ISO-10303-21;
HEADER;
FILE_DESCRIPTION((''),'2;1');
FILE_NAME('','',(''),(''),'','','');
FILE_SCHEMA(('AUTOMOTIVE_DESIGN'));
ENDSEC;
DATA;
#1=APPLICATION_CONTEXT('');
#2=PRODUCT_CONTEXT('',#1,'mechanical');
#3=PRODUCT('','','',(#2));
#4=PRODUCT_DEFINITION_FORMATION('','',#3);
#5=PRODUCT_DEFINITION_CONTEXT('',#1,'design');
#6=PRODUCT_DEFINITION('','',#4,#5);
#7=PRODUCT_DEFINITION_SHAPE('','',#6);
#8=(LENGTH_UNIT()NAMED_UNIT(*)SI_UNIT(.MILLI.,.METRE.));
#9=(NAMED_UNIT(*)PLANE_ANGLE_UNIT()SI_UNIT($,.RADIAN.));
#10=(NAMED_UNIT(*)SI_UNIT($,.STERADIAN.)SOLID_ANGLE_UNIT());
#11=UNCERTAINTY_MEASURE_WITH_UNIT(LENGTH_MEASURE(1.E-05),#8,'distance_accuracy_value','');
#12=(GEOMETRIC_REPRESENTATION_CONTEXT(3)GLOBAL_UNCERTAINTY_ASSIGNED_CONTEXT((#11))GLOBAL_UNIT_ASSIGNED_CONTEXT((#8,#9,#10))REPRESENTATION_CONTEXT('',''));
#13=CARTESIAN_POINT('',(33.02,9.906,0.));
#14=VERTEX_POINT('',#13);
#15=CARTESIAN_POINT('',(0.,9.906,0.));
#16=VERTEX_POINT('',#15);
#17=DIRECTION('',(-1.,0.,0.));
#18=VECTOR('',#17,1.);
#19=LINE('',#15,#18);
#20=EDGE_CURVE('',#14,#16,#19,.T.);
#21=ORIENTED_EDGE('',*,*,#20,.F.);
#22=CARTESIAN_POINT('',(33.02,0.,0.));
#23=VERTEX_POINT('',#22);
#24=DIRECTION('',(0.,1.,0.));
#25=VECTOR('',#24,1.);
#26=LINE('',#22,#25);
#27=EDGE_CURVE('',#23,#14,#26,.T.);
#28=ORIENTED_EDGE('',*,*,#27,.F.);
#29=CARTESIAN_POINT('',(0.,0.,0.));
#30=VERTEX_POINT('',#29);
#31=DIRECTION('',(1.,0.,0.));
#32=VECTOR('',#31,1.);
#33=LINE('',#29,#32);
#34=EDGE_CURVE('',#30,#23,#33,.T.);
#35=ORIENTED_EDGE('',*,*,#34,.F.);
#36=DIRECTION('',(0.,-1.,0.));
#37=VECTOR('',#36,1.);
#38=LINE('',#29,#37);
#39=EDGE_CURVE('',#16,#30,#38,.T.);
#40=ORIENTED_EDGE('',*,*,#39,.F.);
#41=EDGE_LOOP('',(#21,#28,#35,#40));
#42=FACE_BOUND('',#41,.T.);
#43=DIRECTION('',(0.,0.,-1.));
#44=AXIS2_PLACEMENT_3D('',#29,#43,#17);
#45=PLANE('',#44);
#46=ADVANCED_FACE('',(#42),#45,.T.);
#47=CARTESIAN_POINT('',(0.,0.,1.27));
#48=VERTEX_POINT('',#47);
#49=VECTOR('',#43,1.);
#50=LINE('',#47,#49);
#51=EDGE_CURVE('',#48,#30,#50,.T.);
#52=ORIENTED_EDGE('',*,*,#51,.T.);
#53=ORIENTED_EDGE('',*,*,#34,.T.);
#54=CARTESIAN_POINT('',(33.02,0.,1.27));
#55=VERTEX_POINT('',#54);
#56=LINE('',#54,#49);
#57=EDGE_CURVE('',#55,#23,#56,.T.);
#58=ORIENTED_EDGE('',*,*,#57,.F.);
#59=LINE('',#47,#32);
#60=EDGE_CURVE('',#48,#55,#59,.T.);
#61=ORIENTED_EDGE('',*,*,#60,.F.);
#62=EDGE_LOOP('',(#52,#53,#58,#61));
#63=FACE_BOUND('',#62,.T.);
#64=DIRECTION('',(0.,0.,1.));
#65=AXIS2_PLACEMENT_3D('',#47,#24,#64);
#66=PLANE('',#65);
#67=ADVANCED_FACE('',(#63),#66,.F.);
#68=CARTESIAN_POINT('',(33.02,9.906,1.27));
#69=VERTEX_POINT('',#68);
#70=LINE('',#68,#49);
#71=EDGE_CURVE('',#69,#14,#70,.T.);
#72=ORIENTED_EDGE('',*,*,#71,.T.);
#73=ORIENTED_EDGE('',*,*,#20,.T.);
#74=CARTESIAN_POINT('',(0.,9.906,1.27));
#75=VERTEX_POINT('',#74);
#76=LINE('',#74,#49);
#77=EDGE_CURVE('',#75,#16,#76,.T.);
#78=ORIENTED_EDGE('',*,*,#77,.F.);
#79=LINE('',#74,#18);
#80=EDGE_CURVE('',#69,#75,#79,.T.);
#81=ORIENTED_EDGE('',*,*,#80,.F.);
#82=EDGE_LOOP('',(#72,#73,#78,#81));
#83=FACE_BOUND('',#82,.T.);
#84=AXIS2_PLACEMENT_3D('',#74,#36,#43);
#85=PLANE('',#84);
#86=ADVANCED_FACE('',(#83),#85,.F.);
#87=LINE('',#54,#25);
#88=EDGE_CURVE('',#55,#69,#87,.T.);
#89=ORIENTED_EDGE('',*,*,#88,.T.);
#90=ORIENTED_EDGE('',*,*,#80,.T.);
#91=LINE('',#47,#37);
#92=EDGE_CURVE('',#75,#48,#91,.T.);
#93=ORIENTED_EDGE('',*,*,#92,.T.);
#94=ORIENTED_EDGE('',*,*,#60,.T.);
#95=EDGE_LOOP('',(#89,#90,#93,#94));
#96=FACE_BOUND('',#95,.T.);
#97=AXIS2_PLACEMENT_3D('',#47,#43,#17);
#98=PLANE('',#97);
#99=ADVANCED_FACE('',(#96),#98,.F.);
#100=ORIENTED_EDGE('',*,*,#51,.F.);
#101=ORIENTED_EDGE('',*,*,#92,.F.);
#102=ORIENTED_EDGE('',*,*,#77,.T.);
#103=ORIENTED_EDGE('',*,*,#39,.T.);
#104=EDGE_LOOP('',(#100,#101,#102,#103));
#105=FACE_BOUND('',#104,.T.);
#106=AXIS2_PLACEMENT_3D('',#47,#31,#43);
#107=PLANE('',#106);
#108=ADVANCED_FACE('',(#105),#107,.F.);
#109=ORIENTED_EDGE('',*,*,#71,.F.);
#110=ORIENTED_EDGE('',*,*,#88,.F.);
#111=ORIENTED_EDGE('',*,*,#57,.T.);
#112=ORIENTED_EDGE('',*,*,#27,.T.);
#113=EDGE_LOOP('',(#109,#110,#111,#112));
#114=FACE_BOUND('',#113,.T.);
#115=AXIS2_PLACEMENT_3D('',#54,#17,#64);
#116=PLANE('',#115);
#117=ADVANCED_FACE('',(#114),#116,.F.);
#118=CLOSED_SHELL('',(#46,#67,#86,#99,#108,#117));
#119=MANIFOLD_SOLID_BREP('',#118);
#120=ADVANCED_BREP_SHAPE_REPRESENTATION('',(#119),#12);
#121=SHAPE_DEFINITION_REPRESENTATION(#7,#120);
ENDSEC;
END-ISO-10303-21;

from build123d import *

# Parameters (mm, degrees)
SKETCH1_W           = 33.02
SKETCH1_H           = 9.906
BOSS_EXTRUDE1_DEPTH = 1.27


with BuildPart() as part:
    # Sketch1 → Boss-Extrude1 (new body)
    with BuildSketch(Plane.XY):
        with Locations((16.51, 4.953)):
            Rectangle(SKETCH1_W, SKETCH1_H)
    extrude(amount=BOSS_EXTRUDE1_DEPTH)


solid = part.part
